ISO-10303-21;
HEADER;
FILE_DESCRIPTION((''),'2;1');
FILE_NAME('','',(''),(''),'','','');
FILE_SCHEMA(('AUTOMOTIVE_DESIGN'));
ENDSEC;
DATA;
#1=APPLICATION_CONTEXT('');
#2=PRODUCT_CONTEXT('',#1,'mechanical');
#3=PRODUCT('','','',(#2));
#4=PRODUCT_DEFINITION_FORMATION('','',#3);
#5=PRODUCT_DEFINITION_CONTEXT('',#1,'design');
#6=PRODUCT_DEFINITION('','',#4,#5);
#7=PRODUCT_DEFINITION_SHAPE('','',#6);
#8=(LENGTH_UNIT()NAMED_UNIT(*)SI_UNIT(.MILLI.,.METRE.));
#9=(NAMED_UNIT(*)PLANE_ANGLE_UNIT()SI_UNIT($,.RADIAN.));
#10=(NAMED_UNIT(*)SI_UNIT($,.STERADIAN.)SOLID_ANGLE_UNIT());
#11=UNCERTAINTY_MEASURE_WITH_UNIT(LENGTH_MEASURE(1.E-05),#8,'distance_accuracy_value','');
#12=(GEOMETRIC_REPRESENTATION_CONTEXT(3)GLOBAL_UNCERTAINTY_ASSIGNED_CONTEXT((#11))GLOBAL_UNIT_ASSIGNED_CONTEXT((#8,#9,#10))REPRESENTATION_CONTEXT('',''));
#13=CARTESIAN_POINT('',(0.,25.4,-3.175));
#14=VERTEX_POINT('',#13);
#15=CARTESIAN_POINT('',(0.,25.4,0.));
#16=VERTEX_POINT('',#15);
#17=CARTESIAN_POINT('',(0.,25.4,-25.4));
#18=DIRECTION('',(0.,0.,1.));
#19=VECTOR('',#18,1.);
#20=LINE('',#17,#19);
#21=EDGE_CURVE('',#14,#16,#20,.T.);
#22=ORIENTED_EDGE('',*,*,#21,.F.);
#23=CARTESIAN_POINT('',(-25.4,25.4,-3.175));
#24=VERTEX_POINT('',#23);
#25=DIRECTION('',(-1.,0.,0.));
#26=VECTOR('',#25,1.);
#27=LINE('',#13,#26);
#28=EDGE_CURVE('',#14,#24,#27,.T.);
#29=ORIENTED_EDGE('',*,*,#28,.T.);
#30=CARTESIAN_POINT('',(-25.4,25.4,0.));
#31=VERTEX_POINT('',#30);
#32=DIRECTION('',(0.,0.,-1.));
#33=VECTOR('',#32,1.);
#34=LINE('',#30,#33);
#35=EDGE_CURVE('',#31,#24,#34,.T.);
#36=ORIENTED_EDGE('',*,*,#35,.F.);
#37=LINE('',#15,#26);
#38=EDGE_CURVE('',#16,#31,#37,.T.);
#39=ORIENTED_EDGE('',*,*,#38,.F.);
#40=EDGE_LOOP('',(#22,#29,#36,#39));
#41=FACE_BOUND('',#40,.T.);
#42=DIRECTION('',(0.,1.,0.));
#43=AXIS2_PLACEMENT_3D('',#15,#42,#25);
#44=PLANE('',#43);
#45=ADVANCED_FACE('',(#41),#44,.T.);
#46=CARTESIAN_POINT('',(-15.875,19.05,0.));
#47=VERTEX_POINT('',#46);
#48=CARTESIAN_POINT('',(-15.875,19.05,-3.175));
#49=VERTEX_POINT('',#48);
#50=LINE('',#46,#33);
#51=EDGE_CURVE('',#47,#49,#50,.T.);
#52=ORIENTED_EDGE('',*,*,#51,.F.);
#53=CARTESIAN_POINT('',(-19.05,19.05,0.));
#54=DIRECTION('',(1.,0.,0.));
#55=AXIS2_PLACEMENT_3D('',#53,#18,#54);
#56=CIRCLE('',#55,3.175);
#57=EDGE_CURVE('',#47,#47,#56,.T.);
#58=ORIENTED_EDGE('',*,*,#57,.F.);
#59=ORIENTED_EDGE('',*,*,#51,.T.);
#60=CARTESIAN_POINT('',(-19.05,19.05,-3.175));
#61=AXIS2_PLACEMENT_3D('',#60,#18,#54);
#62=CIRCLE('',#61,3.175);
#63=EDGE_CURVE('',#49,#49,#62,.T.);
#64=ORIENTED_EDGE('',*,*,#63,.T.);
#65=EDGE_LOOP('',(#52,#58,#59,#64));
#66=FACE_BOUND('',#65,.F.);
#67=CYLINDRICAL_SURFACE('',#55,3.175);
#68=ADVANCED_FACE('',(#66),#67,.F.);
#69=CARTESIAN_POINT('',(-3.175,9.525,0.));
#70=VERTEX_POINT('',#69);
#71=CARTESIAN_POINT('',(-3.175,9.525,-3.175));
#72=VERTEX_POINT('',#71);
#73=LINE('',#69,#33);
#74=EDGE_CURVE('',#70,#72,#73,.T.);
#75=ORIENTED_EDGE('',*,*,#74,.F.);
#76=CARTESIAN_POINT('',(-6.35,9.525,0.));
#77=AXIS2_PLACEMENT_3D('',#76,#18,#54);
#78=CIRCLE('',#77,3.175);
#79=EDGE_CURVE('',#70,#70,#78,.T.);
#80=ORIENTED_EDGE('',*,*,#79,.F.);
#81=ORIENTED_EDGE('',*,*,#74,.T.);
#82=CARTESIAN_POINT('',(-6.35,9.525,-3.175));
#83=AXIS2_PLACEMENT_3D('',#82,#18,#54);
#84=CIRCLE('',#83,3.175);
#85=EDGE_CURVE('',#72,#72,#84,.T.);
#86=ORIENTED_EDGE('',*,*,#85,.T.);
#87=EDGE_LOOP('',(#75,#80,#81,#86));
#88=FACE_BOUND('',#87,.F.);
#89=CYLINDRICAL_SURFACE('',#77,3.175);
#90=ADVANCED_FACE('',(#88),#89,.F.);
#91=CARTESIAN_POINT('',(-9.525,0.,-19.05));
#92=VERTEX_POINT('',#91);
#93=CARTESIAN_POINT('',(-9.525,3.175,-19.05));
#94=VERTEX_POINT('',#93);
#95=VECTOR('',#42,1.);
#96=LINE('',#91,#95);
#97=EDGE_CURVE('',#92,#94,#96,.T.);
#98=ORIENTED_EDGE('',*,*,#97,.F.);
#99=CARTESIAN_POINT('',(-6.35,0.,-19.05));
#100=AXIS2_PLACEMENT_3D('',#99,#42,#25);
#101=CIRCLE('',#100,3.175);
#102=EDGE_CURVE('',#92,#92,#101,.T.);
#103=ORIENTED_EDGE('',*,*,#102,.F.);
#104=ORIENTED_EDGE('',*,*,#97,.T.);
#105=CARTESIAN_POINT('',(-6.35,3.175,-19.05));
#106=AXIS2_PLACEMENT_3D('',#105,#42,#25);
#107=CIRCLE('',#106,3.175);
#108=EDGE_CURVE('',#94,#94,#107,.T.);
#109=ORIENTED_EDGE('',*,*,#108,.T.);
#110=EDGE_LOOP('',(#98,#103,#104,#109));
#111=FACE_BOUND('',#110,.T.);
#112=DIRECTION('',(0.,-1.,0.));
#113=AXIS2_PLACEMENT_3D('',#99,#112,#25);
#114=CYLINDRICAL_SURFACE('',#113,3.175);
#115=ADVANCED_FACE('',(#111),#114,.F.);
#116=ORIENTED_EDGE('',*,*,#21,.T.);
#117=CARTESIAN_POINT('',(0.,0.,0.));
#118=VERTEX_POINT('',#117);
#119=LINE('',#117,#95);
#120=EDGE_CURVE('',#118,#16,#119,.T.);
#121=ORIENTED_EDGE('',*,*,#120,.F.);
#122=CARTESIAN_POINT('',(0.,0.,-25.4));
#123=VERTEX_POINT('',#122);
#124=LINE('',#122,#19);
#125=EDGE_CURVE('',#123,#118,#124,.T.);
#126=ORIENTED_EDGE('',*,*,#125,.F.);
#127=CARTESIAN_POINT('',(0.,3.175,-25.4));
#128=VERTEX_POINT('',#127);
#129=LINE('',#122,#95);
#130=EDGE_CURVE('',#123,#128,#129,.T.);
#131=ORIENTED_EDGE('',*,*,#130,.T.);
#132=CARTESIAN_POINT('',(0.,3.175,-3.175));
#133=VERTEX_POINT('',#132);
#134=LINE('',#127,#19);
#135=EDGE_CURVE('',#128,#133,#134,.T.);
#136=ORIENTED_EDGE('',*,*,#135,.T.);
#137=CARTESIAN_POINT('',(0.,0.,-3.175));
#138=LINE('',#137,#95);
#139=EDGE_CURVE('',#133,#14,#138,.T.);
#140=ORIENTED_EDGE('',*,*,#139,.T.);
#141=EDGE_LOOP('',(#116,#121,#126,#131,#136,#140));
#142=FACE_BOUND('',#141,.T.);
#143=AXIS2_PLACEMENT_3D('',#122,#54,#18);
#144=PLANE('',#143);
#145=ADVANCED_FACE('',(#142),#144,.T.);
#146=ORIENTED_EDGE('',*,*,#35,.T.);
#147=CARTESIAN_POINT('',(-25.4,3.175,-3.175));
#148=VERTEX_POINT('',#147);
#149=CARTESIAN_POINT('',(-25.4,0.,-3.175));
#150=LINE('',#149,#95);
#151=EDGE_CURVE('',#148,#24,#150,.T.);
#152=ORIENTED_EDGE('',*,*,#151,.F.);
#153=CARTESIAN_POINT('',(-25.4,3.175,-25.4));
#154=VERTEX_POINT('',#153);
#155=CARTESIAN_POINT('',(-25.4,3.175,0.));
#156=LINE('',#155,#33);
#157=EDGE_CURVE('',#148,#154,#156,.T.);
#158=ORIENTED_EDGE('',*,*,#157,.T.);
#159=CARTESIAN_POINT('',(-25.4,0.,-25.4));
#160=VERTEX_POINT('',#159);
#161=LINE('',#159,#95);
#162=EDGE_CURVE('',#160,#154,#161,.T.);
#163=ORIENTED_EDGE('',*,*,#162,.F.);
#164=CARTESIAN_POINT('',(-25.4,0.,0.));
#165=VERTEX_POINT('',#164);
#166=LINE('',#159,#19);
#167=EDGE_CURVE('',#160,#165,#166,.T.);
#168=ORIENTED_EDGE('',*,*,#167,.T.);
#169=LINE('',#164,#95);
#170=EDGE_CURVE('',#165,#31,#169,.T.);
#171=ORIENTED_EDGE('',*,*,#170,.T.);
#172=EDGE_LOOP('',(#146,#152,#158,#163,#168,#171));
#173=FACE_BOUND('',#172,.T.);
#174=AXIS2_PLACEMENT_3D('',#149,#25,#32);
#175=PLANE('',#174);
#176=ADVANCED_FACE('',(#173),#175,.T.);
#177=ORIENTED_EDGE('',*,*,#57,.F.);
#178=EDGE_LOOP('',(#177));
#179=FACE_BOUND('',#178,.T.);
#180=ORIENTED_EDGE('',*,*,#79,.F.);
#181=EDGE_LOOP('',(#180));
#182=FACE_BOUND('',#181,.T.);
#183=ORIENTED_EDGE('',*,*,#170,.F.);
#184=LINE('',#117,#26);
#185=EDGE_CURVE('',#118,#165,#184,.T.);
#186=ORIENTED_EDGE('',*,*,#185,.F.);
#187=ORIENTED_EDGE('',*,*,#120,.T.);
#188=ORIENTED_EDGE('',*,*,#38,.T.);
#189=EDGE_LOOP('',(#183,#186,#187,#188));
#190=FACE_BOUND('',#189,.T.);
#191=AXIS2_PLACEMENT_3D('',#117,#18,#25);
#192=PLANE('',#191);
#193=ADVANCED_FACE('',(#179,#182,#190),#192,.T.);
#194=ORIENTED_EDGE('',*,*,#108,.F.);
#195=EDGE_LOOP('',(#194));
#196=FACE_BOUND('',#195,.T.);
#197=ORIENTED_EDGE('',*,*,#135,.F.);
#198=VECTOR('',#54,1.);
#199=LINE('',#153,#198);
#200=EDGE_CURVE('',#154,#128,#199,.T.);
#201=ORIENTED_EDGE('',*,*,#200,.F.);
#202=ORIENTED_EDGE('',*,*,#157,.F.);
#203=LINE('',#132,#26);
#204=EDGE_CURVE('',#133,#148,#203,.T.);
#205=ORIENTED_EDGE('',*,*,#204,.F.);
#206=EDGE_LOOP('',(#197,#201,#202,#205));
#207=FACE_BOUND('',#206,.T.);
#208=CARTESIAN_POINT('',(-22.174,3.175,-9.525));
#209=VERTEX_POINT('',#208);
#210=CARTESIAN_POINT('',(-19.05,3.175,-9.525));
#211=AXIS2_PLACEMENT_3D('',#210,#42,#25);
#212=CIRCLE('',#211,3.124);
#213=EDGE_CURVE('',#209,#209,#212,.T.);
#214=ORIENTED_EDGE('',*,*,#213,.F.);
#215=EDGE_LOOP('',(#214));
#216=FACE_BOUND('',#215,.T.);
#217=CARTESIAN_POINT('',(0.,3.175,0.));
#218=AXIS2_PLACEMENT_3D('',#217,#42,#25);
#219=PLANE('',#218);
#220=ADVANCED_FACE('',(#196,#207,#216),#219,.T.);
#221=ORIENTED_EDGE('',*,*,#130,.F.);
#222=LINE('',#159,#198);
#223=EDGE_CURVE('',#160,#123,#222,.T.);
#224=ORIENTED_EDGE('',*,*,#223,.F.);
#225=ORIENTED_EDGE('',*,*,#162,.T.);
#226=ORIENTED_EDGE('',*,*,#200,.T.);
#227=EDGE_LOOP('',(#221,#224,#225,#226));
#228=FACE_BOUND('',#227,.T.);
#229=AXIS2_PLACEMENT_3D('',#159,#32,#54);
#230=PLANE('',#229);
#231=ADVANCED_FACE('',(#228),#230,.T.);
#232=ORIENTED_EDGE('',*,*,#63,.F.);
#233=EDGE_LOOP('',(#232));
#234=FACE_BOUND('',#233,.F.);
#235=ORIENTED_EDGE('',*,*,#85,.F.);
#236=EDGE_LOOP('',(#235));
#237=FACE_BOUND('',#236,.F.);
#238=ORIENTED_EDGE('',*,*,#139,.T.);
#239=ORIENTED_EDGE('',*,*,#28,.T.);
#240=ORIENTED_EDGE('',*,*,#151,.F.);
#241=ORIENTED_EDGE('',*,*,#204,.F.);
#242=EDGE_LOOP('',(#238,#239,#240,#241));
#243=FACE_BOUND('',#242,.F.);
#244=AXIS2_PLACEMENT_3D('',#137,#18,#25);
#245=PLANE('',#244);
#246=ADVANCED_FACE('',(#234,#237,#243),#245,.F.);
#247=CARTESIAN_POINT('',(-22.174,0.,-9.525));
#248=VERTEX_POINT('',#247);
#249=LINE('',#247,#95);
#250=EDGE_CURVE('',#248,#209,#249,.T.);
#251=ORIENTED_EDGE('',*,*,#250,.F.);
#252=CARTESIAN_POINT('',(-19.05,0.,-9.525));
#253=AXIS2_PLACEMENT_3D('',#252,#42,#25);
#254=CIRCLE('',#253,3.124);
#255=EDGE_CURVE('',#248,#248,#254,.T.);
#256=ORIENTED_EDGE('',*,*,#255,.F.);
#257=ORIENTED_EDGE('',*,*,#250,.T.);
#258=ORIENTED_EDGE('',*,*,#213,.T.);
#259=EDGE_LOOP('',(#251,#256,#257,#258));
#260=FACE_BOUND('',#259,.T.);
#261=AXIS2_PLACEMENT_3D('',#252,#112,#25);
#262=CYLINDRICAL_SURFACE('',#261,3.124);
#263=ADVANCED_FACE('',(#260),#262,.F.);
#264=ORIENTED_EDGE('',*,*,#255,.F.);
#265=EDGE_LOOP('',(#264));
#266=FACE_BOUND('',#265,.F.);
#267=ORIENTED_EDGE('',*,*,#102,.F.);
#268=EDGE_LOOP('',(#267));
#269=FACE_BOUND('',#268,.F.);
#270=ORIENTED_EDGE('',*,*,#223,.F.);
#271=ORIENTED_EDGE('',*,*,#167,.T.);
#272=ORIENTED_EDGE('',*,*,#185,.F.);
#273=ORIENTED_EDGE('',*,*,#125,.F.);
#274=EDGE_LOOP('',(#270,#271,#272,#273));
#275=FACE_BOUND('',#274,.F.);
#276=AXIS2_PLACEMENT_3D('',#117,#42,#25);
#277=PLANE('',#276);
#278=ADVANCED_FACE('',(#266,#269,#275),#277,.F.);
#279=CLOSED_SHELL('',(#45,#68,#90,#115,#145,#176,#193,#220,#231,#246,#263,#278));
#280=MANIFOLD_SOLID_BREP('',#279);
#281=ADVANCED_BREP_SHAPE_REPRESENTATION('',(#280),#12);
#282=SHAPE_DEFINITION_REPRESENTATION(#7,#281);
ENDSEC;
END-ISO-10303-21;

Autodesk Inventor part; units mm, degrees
ref_plane "YZ Plane" through (0, 0, 0) normal (1, 0, 0) x (0, 1, 0)
ref_plane "XZ Plane" through (0, 0, 0) normal (0, 1, 0) x (-1, 0, 0)
ref_plane "XY Plane" through (0, 0, 0) normal (0, 0, 1) x (1, 0, 0)
sketch "Sketch1" plane through (0, 0, 0) normal (0, 1, 0) x (-1, 0, 0)
  line L0 (0, 0) -> (25.4, 0)
  line L1 (25.4, 0) -> (25.4, -25.4)
  line L2 (25.4, -25.4) -> (0, -25.4)
  line L3 (0, -25.4) -> (0, 0)
  circle A0 centre (6.35, -19.05) radius 3.175
  circle A1 centre (19.05, -9.525) radius 3.124
  line L4 (25.4, 0) -> (0, 0)
  line L5 (0, 0) -> (0, -3.175)
  line L6 (0, -3.175) -> (25.4, -3.175)
  line L7 (25.4, -3.175) -> (25.4, 0)
  dimension "d0" = 25.4
  dimension "d1" = 25.4
  dimension "d2" = 6.35
  dimension "d3" = 6.35
  dimension "d4" = 6.35
  dimension "d5" = 9.525
  dimension "d6" = 6.35
  dimension "d7" = 3.175
extrude "Extrusion1" add sketch "Sketch1" along normal blind 3.175 contours L6 L1 L2 L3
extrude "Extrusion2" add sketch "Sketch1" along normal blind 25.4 contours L0 L1 L6 L3
sketch "Sketch2" plane through (-25.4, 0, 0) normal (0, 0, 1) x (1, 0, 0)
  circle A0 centre (6.35, 19.05) radius 3.175
  line L0 (0, 25.4) -> (25.4, 25.4) projected
  line L1 (0, 0) -> (0, 25.4) projected
  circle A1 centre (19.05, 9.525) radius 3.175
  line L2 (25.4, 0) -> (25.4, 25.4) projected
  line L3 (0, 0) -> (25.4, 0) projected
  dimension "d12" = 6.35
  dimension "d13" = 6.35
  dimension "d14" = 6.35
  dimension "d15" = 6.35
  dimension "d16" = 9.525
  dimension "d17" = 6.35
extrude "Extrusion3" cut sketch "Sketch2" against normal through all contours A0 | A1
properties part number "connector1by1"
